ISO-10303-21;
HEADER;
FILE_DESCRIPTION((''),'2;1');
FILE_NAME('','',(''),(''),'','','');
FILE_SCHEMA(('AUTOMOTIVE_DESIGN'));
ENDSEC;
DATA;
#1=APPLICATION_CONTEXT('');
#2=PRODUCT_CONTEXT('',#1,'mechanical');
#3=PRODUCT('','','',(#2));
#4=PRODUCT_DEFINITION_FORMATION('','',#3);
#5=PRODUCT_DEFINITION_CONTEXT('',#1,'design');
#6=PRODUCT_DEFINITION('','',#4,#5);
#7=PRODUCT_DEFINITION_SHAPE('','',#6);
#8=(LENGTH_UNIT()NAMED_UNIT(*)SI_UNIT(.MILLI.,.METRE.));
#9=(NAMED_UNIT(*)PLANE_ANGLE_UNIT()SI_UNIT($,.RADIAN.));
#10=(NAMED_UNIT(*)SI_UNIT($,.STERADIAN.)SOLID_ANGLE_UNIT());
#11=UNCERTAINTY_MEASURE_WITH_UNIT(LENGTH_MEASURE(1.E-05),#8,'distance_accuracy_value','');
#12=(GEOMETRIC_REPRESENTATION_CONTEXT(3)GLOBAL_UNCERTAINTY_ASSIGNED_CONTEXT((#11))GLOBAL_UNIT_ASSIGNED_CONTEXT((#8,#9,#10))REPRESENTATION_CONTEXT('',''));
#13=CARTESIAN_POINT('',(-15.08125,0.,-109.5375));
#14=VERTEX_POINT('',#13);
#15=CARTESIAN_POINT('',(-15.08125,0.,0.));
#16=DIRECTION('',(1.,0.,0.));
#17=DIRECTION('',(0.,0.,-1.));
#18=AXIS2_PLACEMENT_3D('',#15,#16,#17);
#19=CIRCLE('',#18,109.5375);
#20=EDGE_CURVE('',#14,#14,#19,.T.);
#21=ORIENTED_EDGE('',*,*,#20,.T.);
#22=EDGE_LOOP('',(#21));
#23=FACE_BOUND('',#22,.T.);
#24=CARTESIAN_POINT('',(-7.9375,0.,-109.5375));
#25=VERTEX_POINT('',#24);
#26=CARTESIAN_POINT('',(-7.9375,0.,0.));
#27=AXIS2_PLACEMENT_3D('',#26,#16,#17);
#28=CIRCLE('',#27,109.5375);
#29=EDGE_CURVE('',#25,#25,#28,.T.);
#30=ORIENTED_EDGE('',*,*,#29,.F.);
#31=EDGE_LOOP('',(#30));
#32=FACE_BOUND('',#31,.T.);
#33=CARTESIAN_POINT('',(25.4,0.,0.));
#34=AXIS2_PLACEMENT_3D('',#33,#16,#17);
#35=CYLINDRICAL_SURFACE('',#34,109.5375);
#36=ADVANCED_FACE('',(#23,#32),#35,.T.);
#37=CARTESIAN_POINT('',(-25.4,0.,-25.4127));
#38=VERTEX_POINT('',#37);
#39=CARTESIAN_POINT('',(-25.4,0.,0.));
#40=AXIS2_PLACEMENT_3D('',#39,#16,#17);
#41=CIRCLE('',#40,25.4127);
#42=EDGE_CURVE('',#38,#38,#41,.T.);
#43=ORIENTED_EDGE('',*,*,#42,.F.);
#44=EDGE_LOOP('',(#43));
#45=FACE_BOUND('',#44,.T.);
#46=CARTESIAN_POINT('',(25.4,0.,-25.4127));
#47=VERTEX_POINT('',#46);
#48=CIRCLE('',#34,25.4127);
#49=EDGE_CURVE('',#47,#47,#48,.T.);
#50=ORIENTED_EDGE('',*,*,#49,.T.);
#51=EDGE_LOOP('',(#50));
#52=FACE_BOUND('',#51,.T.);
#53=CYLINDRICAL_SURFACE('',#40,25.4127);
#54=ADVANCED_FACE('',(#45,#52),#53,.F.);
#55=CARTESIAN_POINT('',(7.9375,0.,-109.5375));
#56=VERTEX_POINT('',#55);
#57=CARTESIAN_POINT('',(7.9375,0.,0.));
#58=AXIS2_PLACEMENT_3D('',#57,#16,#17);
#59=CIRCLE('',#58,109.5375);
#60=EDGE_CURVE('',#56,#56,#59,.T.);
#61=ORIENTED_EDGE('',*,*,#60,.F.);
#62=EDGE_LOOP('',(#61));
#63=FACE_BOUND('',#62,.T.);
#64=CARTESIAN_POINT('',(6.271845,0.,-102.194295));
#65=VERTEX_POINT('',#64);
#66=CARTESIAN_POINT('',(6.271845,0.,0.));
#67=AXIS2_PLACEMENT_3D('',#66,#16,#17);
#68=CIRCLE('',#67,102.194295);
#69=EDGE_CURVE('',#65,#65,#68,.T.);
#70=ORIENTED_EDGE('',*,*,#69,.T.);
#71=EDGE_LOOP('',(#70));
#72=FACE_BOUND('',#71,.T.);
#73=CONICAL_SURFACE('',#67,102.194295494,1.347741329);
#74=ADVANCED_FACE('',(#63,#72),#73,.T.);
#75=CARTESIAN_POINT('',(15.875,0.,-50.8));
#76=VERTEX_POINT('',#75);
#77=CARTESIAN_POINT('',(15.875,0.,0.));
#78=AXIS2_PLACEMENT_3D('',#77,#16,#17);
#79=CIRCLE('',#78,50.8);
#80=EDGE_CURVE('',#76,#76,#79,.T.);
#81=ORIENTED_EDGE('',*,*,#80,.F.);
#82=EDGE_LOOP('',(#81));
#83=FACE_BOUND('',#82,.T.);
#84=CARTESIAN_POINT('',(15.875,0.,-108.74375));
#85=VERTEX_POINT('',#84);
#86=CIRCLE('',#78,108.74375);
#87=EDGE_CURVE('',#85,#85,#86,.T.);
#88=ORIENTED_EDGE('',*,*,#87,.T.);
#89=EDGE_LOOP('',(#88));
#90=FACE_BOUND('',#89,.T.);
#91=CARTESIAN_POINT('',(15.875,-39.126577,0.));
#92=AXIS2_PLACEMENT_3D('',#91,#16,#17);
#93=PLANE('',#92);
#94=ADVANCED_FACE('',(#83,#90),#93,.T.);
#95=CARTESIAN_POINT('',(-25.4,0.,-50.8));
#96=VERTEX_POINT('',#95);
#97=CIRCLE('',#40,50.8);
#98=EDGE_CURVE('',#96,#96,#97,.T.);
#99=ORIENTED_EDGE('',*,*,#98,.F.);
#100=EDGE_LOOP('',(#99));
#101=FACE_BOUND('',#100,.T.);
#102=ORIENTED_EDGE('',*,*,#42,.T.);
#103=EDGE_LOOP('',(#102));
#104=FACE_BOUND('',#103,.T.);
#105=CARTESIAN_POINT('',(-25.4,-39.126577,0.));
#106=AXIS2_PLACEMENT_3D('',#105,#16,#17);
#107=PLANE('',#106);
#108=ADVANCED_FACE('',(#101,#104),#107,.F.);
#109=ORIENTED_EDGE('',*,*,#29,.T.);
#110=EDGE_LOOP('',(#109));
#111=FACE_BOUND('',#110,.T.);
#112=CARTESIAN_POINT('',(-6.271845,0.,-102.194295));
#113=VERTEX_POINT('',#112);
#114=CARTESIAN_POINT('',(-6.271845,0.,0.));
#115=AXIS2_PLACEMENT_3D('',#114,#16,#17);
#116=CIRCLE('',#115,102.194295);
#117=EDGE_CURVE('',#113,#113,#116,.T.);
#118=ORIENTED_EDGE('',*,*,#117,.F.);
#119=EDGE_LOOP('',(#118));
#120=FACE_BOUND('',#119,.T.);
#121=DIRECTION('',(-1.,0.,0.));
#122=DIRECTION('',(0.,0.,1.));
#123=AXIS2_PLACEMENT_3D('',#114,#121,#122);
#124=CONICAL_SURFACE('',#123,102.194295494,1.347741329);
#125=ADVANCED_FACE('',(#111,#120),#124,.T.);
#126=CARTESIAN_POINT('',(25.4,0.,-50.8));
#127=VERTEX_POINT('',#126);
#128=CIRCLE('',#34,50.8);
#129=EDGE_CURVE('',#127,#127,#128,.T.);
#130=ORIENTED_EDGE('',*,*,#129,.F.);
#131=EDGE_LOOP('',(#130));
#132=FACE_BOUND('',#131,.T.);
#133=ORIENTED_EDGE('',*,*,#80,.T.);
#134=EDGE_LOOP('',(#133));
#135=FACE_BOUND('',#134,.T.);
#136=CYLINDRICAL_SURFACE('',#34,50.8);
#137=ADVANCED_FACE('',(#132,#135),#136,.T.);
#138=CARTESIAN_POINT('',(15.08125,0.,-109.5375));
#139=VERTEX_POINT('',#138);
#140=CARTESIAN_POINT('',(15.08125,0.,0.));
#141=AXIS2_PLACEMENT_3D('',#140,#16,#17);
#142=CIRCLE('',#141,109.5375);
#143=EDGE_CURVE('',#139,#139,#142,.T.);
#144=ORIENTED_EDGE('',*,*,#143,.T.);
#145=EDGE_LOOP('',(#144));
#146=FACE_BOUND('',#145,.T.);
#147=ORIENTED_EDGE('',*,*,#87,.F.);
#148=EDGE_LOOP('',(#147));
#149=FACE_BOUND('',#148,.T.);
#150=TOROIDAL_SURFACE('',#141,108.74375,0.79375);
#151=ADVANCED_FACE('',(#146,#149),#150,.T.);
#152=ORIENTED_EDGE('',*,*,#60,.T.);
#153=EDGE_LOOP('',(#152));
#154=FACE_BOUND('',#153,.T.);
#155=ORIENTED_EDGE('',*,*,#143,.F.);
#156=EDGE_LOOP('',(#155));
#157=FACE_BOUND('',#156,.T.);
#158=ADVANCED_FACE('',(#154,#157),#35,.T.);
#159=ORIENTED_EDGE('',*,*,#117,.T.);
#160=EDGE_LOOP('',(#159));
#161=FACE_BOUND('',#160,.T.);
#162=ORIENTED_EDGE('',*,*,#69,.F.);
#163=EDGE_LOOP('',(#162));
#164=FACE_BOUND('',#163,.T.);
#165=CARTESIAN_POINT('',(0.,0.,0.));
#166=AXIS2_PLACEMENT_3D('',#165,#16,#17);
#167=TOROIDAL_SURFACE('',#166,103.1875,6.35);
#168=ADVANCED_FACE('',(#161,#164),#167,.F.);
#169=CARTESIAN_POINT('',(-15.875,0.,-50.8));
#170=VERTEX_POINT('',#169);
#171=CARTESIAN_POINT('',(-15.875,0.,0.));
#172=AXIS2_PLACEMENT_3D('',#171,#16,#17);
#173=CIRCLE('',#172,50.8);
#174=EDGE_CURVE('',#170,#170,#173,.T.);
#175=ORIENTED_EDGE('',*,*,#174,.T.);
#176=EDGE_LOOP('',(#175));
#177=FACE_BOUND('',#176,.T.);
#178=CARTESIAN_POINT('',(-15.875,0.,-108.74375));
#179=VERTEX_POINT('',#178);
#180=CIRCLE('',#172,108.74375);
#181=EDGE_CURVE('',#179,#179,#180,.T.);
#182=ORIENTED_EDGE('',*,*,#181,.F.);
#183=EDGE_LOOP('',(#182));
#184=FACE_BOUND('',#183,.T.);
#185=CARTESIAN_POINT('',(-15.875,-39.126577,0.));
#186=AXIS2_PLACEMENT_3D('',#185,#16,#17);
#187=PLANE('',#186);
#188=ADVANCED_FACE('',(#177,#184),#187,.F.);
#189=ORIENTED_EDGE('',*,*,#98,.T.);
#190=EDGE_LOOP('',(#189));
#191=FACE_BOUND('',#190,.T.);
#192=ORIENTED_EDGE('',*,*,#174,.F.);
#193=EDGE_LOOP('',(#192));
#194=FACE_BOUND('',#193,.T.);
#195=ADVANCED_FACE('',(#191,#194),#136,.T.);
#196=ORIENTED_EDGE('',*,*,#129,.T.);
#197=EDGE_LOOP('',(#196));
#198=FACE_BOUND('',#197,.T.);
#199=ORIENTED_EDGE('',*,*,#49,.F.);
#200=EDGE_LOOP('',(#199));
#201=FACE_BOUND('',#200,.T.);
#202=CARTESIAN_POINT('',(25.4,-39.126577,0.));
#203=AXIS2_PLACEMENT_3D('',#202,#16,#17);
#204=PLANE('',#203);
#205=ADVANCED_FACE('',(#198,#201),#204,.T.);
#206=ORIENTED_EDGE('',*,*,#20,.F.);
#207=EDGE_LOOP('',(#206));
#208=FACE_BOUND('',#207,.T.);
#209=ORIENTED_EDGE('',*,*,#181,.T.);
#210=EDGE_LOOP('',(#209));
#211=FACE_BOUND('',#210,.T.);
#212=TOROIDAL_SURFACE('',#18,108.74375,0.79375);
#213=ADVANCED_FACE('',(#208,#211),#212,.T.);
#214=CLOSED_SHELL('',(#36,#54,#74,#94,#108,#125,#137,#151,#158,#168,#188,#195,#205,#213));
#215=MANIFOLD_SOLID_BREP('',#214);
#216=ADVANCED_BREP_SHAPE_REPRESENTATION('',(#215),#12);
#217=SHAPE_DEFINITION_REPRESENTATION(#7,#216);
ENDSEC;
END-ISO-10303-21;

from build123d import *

# Parameters (mm, degrees)
SKETCH2_R          = 25.4127
CUT_EXTRUDE1_DEPTH = 51.8


with BuildPart() as part:
    # Sketch1 → Revolve1 (revolve)
    with BuildSketch(Plane.XY, mode=Mode.PRIVATE) as revolve1_sk:
        with BuildLine():
            Line((-15.875, 50.8), (-15.875, 108.74375))
            ThreePointArc((-15.875, 108.74375), (-15.642516008, 109.305016008), (-15.08125, 109.5375))
            Line((-15.08125, 109.5375), (-7.9375, 109.5375))
            Line((-7.9375, 109.5375), (-6.271845407, 102.194295494))
            ThreePointArc((-6.271845407, 102.194295494), (0, 96.8375), (6.271845407, 102.194295494))
            Line((6.271845407, 102.194295494), (7.9375, 109.5375))
            Line((7.9375, 109.5375), (15.08125, 109.5375))
            ThreePointArc((15.08125, 109.5375), (15.642516008, 109.305016008), (15.875, 108.74375))
            Line((15.875, 108.74375), (15.875, 50.8))
            Line((15.875, 50.8), (25.4, 50.8))
            Line((25.4, 50.8), (25.4, 0))
            Line((25.4, 0), (-25.4, 0))
            Line((-25.4, 0), (-25.4, 50.8))
            Line((-25.4, 50.8), (-15.875, 50.8))
        make_face()
    revolve(revolve1_sk.sketch.rotate(Axis((25.4, 0, 0), (-1, 0, 0)), 90), axis=Axis((25.4, 0, 0), (-1, 0, 0)))  # turned: the seam where the file's is

    # Sketch2 → Cut-Extrude1 (cut, through all)
    with BuildSketch(Plane(origin=(25.4, 0, 0), x_dir=(0, 0, -1), z_dir=(1, 0, 0))):
        Circle(SKETCH2_R)
    extrude(amount=-CUT_EXTRUDE1_DEPTH, mode=Mode.SUBTRACT)


solid = part.part
